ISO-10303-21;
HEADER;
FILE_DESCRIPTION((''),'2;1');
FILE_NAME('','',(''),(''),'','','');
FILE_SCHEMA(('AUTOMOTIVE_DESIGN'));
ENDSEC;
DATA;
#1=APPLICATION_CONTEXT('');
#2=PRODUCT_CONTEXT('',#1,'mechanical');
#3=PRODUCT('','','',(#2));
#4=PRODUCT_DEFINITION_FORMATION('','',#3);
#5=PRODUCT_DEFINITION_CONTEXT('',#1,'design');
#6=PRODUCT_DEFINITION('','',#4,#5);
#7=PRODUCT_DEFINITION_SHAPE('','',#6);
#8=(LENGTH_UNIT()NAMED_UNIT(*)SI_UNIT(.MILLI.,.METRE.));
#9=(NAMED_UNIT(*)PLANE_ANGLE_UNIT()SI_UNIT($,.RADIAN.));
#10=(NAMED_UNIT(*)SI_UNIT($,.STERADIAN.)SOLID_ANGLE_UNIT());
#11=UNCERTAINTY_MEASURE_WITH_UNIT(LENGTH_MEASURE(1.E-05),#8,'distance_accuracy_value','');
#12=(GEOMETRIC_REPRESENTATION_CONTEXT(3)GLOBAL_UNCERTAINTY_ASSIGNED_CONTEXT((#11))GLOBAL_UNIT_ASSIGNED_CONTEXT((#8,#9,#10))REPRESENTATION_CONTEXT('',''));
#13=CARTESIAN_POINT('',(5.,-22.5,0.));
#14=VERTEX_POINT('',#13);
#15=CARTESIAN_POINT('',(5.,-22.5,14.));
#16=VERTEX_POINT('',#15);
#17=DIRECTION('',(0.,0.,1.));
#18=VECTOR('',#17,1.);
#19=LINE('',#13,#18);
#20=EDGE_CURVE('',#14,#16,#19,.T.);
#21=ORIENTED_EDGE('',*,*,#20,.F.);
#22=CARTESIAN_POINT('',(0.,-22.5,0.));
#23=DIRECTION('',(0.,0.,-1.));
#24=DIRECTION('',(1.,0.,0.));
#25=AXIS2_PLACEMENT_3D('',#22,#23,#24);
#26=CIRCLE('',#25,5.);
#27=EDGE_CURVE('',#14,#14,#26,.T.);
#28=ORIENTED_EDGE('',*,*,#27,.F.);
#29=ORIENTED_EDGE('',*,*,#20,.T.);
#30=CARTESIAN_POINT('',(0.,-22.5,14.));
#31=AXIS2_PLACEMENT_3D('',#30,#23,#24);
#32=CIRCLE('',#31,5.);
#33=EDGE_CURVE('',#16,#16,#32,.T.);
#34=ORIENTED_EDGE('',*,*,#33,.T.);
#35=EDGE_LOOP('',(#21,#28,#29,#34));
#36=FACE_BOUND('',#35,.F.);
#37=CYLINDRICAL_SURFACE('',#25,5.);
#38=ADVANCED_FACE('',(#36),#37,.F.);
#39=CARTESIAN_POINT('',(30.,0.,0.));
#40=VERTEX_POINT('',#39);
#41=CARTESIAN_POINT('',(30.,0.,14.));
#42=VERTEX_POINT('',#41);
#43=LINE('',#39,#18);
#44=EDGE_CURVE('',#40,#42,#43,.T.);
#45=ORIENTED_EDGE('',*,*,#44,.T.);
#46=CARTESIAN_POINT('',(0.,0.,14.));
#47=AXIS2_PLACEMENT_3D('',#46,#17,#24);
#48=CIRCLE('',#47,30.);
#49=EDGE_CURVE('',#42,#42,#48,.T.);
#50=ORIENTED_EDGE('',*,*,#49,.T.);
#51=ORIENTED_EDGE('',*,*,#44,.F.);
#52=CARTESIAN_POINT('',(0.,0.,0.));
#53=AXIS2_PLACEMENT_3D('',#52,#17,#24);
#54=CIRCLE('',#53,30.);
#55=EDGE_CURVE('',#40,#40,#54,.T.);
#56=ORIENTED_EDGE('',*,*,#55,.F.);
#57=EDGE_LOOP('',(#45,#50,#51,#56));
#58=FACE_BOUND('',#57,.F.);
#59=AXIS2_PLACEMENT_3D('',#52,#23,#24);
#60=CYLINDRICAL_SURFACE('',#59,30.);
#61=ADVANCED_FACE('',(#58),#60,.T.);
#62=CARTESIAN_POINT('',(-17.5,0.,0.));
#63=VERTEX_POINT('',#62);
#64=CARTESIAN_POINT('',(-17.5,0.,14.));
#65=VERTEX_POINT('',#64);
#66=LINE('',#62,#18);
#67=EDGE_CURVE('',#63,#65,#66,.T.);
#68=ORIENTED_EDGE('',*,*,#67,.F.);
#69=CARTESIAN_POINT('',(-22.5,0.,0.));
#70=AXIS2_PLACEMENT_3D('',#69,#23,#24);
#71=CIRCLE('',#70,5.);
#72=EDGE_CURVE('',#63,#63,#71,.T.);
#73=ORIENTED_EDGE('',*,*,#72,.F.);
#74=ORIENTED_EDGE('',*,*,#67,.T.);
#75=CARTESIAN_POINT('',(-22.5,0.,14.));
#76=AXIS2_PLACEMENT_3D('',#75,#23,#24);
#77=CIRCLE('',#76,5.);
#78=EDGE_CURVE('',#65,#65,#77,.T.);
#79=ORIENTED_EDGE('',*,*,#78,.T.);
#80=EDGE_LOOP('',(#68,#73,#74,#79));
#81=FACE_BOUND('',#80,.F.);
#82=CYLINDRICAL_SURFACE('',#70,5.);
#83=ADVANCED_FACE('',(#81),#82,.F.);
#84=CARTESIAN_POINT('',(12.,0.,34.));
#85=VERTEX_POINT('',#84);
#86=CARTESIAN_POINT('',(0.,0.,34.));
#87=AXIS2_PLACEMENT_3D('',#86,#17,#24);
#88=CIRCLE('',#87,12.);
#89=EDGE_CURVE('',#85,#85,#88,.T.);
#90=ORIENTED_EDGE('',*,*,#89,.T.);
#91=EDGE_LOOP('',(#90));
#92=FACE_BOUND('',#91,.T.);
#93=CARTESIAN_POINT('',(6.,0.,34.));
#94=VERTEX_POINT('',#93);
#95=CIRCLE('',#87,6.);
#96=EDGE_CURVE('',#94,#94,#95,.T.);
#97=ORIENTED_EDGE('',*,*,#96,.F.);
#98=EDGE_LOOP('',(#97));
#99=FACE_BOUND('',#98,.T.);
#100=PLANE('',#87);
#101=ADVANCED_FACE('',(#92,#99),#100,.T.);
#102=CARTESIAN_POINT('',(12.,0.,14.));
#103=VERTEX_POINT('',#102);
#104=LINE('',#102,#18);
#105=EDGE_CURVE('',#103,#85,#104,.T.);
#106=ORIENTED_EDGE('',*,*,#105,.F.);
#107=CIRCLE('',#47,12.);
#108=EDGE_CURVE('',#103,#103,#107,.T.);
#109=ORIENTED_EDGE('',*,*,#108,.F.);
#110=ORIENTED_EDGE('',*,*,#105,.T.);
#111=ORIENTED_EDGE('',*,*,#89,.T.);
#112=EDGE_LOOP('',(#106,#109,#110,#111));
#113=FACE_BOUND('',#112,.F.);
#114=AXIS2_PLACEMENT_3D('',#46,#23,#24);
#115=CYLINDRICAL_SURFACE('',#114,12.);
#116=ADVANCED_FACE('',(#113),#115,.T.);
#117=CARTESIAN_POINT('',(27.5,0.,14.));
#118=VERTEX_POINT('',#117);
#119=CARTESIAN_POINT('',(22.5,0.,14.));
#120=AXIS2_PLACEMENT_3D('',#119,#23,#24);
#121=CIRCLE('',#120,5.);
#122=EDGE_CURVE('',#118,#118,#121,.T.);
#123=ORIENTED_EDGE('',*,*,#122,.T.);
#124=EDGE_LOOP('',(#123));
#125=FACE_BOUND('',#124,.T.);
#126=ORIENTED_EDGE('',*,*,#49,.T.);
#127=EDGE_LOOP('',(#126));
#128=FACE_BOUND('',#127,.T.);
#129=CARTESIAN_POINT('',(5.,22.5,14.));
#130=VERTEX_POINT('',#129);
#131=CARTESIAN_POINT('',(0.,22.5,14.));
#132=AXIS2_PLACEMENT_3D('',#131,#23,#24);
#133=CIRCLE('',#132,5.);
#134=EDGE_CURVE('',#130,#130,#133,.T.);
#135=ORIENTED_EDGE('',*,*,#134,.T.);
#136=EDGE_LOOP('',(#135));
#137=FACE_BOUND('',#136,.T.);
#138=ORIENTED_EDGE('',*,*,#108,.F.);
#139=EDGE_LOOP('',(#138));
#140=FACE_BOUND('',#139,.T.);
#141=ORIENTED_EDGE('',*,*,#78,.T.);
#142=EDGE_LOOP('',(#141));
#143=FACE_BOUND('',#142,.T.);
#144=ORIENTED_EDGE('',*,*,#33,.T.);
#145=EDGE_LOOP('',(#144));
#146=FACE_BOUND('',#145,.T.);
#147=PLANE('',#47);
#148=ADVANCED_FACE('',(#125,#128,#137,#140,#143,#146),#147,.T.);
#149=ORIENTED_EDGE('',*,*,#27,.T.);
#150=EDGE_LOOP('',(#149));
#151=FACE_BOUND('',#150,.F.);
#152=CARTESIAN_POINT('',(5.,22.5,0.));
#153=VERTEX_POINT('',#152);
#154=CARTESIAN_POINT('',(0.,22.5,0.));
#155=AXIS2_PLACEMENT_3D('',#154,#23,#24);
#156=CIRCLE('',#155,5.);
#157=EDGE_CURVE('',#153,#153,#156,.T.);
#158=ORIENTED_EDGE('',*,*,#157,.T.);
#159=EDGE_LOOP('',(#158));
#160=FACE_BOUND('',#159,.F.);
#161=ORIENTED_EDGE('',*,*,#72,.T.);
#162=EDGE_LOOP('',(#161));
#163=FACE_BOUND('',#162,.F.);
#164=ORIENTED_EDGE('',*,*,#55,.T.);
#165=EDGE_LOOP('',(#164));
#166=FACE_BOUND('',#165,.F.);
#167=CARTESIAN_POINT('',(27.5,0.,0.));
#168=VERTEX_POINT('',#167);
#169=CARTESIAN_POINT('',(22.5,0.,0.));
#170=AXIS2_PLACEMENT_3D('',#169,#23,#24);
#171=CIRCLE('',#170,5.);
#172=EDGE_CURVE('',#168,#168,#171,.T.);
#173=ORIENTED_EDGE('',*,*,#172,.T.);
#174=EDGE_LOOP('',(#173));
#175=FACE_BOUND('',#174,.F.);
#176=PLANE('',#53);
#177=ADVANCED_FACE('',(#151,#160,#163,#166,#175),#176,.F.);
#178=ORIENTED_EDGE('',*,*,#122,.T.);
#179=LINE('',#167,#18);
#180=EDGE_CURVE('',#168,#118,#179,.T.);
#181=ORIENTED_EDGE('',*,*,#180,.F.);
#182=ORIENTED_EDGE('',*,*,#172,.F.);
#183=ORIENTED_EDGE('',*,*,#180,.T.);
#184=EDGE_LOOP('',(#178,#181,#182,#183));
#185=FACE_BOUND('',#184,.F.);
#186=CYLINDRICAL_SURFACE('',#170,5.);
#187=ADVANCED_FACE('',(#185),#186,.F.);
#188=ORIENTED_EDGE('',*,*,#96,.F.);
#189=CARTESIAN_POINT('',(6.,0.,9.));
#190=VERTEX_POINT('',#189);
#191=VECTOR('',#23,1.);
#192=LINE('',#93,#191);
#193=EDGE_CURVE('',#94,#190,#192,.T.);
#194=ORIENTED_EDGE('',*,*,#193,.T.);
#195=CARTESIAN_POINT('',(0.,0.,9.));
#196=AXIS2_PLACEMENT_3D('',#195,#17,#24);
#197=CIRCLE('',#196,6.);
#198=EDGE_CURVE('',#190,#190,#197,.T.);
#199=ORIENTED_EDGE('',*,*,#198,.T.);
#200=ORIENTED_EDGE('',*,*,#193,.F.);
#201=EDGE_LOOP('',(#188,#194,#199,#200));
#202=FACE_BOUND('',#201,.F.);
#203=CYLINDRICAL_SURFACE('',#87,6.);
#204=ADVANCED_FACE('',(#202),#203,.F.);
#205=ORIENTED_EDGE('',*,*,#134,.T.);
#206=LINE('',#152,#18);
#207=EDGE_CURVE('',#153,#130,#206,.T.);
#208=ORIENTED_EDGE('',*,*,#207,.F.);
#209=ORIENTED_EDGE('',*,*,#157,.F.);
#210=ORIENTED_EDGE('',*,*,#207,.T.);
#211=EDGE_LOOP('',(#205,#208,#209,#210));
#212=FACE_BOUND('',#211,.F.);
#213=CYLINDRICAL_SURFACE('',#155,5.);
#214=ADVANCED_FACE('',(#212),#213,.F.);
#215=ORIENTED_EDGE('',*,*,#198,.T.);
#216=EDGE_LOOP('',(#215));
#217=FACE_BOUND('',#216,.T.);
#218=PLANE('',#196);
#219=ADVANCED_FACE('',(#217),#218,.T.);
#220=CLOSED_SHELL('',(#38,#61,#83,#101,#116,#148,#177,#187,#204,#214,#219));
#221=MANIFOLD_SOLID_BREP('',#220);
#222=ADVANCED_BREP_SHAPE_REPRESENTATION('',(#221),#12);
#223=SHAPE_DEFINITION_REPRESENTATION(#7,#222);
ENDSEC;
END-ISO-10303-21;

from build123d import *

# Parameters (mm, degrees)
F0_R      = 30
F1_DEPTH  = 14
F2_R      = 12
F3_DEPTH  = 20
F4_R      = 6
F5_DEPTH  = 25
F6_R      = 5
F7_DEPTH  = 34.001
F8_R      = 5
F9_DEPTH  = 34.001
F10_R     = 5
F11_DEPTH = 34.001
F12_R     = 5
F13_DEPTH = 34.001


with BuildPart() as f1:
    # F0 (on Top) → F1 (new body)
    with BuildSketch(Plane.XY):
        Circle(F0_R)
    extrude(amount=F1_DEPTH)

    # F2 (on face) → F3 (join)
    with BuildSketch(Plane.XY.offset(14)):
        Circle(F2_R)
    extrude(amount=F3_DEPTH)

    # F4 (on face) → F5 (cut)
    with BuildSketch(Plane.XY.offset(34)):
        Circle(F4_R)
    extrude(amount=-F5_DEPTH, mode=Mode.SUBTRACT)

    # F6 (on face) → F7 (cut, through all)
    with BuildSketch(Plane(origin=(0, 0, 0), x_dir=(1, 0, 0), z_dir=(0, 0, -1))):
        with Locations((0, -22.5)):
            Circle(F6_R)
    extrude(amount=-F7_DEPTH, mode=Mode.SUBTRACT)

    # F8 (on face) → F9 (cut, through all)
    with BuildSketch(Plane(origin=(0, 0, 0), x_dir=(1, 0, 0), z_dir=(0, 0, -1))):
        with Locations((0, 22.5)):
            Circle(F8_R)
    extrude(amount=-F9_DEPTH, mode=Mode.SUBTRACT)

    # F10 (on face) → F11 (cut, through all)
    with BuildSketch(Plane(origin=(0, 0, 0), x_dir=(1, 0, 0), z_dir=(0, 0, -1))):
        with Locations((-22.5, 0)):
            Circle(F10_R)
    extrude(amount=-F11_DEPTH, mode=Mode.SUBTRACT)

    # F12 (on face) → F13 (cut, through all)
    with BuildSketch(Plane(origin=(0, 0, 0), x_dir=(1, 0, 0), z_dir=(0, 0, -1))):
        with Locations((22.5, 0)):
            Circle(F12_R)
    extrude(amount=-F13_DEPTH, mode=Mode.SUBTRACT)


solid = f1.part
